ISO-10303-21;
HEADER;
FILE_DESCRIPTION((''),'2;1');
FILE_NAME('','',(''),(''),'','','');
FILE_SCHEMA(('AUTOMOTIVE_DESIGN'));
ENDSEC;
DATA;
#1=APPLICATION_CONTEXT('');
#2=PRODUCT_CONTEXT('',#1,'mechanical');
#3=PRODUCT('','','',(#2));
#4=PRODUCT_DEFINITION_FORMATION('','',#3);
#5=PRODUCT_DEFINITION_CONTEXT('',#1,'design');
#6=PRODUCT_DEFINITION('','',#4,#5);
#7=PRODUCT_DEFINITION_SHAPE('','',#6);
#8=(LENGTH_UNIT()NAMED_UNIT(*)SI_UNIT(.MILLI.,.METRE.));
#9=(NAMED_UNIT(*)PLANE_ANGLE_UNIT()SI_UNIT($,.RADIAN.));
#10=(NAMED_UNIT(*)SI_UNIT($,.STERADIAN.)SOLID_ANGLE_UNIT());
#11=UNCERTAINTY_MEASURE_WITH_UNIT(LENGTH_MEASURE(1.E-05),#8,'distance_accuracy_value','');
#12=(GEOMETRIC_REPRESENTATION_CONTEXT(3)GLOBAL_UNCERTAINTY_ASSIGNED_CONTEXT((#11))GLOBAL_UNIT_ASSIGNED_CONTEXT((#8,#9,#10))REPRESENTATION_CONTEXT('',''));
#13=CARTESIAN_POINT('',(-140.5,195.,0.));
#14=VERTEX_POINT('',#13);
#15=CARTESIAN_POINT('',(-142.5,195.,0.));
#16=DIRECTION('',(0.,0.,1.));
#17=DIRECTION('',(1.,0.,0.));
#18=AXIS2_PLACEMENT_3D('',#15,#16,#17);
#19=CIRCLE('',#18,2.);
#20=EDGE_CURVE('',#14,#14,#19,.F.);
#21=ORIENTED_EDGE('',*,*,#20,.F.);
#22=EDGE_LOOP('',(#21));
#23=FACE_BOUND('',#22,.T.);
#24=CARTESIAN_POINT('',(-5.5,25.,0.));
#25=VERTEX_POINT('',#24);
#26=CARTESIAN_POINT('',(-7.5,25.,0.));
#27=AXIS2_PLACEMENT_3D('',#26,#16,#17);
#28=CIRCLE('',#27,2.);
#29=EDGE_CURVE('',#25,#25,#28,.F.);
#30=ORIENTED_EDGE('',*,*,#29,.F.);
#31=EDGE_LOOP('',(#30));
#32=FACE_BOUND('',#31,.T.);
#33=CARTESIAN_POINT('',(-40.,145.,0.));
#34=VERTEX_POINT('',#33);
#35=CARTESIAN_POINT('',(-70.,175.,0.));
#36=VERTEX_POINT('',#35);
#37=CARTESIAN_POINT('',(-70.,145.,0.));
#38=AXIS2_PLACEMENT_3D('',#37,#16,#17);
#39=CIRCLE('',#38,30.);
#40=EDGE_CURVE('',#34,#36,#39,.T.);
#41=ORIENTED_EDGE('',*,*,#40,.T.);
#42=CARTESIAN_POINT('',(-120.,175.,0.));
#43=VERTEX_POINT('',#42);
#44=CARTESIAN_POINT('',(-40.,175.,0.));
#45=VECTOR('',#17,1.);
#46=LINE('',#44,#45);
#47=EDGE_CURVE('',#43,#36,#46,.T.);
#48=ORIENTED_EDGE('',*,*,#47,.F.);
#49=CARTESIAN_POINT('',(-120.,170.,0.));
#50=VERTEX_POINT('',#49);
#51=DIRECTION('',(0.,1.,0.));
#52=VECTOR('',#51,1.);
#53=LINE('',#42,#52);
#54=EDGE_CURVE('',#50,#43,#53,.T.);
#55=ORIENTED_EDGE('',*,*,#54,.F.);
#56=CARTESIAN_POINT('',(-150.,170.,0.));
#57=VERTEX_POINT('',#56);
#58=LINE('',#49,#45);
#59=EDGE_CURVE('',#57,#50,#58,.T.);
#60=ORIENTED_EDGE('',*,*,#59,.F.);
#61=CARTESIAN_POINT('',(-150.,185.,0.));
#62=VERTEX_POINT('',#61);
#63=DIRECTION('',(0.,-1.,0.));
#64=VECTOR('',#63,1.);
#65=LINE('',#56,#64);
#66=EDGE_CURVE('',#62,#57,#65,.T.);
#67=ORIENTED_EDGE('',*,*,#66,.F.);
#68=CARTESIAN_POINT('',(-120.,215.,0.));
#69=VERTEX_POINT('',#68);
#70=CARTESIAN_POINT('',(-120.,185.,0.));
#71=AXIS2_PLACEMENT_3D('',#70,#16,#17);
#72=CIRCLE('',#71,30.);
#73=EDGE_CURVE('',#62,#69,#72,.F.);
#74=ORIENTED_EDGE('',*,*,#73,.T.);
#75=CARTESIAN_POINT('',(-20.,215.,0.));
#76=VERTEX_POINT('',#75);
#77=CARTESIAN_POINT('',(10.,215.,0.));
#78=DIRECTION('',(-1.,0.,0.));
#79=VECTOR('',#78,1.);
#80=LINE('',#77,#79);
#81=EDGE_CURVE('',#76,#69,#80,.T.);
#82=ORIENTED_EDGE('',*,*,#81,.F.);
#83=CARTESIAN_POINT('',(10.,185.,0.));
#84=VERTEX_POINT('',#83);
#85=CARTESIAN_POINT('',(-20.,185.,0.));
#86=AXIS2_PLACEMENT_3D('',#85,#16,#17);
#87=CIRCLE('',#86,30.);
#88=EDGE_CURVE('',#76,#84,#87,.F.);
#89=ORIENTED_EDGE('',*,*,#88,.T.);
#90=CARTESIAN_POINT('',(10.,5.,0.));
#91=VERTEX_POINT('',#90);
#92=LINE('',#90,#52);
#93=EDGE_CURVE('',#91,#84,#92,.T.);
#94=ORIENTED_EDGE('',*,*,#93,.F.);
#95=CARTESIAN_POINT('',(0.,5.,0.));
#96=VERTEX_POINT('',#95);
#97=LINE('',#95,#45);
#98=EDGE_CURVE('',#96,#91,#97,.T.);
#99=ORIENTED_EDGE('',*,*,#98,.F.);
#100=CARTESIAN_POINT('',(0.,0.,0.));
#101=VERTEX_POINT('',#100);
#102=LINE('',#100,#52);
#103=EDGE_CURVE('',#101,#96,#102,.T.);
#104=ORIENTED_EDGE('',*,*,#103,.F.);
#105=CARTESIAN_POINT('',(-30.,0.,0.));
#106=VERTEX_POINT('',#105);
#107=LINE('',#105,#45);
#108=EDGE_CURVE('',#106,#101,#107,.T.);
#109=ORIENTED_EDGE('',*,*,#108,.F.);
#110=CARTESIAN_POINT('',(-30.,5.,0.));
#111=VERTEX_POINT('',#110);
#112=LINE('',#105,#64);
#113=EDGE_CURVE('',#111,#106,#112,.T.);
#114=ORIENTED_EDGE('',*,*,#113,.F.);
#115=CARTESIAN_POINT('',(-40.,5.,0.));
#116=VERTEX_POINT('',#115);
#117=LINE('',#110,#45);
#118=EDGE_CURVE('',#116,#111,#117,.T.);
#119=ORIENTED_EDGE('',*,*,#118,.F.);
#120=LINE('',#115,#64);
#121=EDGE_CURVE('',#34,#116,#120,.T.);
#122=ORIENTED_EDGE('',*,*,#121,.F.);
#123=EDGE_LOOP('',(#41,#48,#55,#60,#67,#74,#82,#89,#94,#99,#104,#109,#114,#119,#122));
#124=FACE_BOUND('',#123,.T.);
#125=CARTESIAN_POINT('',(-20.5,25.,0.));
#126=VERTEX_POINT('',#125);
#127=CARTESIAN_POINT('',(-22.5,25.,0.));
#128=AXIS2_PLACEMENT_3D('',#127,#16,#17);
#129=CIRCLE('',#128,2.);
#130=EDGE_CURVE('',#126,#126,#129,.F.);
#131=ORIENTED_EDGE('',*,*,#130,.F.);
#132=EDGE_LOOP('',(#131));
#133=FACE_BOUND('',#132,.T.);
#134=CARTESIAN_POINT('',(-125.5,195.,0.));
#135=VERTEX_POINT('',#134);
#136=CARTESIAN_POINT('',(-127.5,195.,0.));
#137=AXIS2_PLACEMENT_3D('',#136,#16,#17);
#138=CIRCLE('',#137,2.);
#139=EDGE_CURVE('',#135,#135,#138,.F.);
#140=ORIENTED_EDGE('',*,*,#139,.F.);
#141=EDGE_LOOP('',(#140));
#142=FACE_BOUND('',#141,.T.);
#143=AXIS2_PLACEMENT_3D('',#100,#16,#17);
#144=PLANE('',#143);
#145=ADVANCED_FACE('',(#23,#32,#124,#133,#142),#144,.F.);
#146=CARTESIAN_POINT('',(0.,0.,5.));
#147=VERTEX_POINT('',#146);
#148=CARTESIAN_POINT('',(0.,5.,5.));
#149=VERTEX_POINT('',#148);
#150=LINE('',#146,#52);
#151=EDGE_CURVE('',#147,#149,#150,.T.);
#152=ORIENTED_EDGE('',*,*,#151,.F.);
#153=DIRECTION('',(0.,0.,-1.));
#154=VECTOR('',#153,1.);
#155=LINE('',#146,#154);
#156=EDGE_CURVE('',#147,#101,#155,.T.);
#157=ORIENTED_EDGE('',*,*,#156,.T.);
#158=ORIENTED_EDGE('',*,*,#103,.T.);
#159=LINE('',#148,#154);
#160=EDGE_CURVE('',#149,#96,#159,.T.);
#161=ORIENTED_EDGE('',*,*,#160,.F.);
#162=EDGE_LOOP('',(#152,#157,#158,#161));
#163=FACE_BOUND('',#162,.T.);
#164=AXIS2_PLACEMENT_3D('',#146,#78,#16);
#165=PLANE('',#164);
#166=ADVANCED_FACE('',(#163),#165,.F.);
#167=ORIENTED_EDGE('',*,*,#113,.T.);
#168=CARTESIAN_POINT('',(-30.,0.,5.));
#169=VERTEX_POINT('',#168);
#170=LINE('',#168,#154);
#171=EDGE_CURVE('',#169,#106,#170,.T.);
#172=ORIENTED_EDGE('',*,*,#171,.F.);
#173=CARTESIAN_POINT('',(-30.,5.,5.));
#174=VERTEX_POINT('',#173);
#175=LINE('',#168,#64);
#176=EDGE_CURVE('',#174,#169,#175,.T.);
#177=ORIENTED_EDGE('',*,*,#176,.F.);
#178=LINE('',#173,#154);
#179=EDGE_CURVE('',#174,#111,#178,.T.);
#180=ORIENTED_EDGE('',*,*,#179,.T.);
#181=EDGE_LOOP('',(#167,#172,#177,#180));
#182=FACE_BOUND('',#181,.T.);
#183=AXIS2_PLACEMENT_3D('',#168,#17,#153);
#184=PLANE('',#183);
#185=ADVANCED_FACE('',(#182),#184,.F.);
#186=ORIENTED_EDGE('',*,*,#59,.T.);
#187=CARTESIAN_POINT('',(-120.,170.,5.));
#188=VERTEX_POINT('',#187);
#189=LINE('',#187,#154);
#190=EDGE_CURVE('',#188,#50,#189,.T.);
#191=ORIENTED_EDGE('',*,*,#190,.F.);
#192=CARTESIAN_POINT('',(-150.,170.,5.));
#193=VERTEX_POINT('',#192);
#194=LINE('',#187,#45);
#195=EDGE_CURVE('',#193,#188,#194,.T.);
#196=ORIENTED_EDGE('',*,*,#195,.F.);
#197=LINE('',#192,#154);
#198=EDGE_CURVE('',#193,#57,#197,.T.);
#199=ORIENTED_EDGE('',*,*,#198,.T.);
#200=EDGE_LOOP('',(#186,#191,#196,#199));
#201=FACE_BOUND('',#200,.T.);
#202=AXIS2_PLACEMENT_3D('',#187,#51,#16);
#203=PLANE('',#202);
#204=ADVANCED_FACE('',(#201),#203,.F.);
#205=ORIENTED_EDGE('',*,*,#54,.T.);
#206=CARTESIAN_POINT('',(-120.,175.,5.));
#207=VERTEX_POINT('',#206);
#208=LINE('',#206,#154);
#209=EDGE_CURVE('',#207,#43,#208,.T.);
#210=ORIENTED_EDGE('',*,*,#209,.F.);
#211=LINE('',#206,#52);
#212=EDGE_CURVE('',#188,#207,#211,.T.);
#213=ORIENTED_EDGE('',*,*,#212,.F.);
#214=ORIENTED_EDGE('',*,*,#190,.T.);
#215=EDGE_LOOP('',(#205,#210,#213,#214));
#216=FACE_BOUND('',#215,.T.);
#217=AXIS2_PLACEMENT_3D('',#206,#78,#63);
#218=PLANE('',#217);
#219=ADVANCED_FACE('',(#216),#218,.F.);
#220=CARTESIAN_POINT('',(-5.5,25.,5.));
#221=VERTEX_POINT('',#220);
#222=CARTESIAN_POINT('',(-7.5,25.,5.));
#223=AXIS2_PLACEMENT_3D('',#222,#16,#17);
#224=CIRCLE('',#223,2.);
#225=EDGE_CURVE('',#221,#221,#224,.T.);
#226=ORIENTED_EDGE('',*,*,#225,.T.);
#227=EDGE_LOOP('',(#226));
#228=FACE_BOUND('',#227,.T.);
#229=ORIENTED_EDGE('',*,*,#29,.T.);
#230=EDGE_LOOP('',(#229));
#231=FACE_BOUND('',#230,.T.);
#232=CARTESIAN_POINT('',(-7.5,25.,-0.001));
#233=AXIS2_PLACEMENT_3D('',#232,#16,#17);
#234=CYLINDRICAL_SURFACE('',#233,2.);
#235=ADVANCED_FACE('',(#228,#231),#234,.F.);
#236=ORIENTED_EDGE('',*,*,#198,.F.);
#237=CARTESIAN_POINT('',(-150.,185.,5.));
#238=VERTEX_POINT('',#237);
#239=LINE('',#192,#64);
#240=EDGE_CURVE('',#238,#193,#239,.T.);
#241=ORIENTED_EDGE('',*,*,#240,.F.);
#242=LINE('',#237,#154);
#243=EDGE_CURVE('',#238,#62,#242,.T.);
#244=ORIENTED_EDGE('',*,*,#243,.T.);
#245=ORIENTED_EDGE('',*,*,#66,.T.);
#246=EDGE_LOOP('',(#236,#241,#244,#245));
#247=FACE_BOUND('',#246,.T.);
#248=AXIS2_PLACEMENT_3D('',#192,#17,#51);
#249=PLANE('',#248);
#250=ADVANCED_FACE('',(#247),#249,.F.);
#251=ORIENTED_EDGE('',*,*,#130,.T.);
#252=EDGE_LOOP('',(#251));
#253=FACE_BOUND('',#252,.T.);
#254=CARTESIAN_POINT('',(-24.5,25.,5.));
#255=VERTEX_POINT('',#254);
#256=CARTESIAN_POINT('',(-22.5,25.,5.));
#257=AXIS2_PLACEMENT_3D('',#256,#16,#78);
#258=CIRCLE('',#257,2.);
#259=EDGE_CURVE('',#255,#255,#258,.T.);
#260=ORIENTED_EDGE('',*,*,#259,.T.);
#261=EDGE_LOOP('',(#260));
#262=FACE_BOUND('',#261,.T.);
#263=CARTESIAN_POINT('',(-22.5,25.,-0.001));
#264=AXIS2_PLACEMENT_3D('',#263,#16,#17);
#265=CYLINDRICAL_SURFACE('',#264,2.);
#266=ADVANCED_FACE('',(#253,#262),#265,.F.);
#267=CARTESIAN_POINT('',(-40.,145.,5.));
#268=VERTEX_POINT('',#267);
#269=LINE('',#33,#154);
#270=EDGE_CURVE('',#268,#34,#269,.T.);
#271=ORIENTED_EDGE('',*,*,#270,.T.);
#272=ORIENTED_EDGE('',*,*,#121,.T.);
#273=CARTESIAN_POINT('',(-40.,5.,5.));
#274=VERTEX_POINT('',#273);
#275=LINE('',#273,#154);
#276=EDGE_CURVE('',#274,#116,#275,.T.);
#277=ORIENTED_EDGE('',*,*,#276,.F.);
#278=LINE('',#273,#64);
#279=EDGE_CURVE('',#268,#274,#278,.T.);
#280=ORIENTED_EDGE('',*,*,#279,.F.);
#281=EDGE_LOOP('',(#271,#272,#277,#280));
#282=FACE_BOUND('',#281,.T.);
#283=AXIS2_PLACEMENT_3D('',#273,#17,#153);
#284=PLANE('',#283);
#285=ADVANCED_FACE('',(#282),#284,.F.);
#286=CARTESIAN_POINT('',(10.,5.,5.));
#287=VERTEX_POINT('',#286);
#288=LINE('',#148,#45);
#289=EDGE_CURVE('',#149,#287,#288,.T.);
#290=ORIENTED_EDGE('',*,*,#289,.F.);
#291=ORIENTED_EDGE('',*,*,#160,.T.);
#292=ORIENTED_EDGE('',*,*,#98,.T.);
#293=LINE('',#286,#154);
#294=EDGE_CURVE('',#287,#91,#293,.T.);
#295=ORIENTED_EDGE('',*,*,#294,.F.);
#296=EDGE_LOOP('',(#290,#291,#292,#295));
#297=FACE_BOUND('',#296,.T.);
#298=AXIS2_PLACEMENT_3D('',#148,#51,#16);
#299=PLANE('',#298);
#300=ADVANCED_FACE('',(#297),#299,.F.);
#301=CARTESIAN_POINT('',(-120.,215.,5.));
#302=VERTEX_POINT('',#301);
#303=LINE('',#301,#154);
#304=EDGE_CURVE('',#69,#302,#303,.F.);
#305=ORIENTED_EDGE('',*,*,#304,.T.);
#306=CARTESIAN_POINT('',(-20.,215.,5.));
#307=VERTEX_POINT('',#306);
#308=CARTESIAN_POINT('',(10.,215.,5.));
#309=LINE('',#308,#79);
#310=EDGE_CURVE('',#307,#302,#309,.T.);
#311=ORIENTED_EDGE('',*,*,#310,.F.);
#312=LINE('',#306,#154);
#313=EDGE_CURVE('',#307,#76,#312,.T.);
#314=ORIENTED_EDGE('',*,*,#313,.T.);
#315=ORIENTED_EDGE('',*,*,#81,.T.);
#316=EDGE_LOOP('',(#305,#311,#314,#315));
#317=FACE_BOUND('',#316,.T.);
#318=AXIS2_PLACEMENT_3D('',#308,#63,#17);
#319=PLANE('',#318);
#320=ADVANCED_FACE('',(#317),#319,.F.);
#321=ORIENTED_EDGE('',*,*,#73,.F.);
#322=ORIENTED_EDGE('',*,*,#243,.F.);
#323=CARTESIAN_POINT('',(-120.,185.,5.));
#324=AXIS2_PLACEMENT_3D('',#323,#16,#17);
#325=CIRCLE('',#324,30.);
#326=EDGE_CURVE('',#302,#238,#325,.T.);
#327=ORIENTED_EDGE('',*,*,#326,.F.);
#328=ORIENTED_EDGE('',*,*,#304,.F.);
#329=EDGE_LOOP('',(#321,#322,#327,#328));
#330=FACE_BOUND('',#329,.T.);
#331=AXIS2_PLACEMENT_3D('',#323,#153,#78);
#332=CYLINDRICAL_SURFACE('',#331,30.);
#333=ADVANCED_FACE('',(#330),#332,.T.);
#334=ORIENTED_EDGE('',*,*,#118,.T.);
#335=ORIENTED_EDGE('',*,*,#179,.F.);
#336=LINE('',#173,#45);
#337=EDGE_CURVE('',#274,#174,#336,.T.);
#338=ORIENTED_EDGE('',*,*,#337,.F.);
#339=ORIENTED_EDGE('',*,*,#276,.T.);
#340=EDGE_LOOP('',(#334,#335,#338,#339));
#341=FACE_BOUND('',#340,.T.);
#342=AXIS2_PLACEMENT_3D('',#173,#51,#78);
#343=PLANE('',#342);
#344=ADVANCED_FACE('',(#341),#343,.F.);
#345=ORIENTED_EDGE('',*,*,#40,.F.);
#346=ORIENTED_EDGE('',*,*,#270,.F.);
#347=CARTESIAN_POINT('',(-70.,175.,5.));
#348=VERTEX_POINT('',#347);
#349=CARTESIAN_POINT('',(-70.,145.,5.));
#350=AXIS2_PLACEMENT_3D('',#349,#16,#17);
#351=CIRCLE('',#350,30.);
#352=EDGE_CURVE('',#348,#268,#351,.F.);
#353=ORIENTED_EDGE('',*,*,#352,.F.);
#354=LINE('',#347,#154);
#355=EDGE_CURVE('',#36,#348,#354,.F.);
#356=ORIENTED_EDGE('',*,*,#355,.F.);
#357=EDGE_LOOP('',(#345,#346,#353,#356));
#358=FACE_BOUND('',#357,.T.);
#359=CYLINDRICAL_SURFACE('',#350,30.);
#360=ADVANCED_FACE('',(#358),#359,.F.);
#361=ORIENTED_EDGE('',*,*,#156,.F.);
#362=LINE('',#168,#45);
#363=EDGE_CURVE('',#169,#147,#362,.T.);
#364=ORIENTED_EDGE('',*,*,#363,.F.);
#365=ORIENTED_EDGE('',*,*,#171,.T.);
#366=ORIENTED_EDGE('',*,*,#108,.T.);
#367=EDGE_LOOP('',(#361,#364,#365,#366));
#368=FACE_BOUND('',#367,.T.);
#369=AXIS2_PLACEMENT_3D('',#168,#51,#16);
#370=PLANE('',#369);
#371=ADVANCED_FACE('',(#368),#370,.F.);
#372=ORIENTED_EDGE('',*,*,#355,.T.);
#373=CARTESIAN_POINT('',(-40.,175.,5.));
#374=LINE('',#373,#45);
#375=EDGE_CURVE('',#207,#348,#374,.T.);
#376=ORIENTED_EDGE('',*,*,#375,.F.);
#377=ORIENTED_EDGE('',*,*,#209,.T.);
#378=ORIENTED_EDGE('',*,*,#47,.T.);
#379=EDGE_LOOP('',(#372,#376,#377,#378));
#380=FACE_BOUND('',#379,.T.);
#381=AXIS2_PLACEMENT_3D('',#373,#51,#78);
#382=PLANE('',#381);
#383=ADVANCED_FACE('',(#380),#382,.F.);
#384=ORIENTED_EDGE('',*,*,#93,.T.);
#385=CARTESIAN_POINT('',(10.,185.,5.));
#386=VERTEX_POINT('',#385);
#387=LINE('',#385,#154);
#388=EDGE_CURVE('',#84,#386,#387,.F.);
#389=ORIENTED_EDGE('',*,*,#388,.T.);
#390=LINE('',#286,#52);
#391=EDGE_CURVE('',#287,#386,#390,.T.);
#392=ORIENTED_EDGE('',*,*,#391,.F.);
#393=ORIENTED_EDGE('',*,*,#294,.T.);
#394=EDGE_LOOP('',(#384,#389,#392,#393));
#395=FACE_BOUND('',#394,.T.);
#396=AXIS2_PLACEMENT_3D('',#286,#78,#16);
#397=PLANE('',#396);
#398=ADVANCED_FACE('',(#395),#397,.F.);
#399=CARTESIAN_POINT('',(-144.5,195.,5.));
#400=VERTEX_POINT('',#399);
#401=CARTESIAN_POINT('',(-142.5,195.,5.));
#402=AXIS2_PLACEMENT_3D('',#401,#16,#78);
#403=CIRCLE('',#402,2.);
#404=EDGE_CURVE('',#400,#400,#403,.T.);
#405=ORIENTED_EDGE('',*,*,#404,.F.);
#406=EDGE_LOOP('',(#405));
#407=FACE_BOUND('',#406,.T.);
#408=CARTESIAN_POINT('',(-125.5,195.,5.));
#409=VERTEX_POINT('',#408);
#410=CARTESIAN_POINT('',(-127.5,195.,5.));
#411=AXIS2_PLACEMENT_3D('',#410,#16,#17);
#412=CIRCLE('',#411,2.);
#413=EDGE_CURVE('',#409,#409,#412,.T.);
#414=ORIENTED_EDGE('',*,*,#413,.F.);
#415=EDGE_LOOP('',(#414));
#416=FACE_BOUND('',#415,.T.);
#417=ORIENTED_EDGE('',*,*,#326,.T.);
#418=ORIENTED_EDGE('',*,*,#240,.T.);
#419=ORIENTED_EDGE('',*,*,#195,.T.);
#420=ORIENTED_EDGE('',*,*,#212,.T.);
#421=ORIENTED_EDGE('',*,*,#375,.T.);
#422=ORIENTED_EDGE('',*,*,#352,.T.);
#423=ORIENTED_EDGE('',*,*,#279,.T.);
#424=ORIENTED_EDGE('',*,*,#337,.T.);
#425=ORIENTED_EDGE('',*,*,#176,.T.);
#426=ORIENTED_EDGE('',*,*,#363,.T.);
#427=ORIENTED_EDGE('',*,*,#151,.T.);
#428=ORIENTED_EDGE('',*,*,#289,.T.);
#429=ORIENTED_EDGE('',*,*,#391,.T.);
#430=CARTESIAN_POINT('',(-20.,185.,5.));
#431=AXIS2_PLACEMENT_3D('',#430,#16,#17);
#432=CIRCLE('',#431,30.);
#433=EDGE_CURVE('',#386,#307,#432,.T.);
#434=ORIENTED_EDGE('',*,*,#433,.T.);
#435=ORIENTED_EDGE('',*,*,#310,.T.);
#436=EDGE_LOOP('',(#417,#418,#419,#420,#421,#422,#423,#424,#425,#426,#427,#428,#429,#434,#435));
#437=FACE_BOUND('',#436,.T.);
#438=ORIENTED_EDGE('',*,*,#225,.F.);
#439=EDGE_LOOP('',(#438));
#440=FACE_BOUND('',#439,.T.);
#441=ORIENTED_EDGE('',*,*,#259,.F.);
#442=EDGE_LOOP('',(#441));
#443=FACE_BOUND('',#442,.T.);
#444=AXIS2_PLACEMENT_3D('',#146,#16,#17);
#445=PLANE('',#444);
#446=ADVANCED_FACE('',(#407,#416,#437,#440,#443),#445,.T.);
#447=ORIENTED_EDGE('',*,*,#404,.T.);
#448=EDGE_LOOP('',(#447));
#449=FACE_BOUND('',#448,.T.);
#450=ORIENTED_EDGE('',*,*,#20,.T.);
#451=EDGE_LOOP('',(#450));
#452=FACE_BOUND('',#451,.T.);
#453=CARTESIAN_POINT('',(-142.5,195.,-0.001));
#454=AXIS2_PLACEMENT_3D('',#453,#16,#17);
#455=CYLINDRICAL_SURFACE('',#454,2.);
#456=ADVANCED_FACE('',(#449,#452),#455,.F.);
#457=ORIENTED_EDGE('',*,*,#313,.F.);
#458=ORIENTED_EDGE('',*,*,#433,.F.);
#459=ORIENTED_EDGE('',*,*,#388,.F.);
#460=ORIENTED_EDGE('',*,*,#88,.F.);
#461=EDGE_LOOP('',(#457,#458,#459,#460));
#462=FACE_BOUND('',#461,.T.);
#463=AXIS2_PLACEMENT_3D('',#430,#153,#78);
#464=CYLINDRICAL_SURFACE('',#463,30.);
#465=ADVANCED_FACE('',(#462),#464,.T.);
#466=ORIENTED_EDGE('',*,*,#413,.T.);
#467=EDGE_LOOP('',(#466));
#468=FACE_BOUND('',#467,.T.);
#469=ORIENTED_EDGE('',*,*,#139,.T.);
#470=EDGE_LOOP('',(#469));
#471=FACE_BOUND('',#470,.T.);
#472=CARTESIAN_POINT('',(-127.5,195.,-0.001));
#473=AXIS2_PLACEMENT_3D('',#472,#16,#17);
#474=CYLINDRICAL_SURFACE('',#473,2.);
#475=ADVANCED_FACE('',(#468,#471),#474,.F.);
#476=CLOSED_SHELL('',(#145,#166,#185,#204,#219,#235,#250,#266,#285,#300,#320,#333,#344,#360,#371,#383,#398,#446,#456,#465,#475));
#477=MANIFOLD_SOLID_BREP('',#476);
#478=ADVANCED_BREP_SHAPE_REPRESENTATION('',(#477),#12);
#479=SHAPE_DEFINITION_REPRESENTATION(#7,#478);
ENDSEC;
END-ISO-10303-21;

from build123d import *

# Parameters (mm, degrees)
SALIENTE_EXTRUIR1_DEPTH = 5
REDONDEO1_R             = 30
CORTAR_EXTRUIR1_REACH   = 264.202
CROQUIS2_R              = 2


with BuildPart() as part:
    # Croquis1 → Saliente-Extruir1 (new body)
    with BuildSketch(Plane.XY):
        Polygon((-30, 0), (0, 0), (0, 5), (10, 5), (10, 215), (-150, 215), (-150, 170), (-120, 170), (-120, 175), (-40, 175), (-40, 5), (-30, 5), align=None)
    extrude(amount=SALIENTE_EXTRUIR1_DEPTH)

    # Redondeo1
    redondeo1_edges = [part.edges().sort_by_distance(p)[0] for p in [
        (-40, 175, 2.5),
        (-150, 215, 2.5),
        (10, 215, 2.5),
    ]]
    fillet(redondeo1_edges, radius=REDONDEO1_R)

    # Croquis2 → Cortar-Extruir1 (cut, up to next)
    with BuildSketch(Plane.XY.offset(5), mode=Mode.PRIVATE) as cortar_extruir1_sk1:
        with Locations((-7.5, 25)):
            Circle(CROQUIS2_R)
    cortar_extruir1_tool1 = extrude(cortar_extruir1_sk1.sketch, amount=-CORTAR_EXTRUIR1_REACH, mode=Mode.PRIVATE) & part.part
    # Croquis2 → Cortar-Extruir1 (cut, up to next)
    with BuildSketch(Plane.XY.offset(5), mode=Mode.PRIVATE) as cortar_extruir1_sk2:
        with Locations((-22.5, 25)):
            Circle(CROQUIS2_R)
    cortar_extruir1_tool2 = extrude(cortar_extruir1_sk2.sketch, amount=-CORTAR_EXTRUIR1_REACH, mode=Mode.PRIVATE) & part.part
    # Croquis2 → Cortar-Extruir1 (cut, up to next)
    with BuildSketch(Plane.XY.offset(5), mode=Mode.PRIVATE) as cortar_extruir1_sk3:
        with Locations((-127.5, 195)):
            Circle(CROQUIS2_R)
    cortar_extruir1_tool3 = extrude(cortar_extruir1_sk3.sketch, amount=-CORTAR_EXTRUIR1_REACH, mode=Mode.PRIVATE) & part.part
    # Croquis2 → Cortar-Extruir1 (cut, up to next)
    with BuildSketch(Plane.XY.offset(5), mode=Mode.PRIVATE) as cortar_extruir1_sk4:
        with Locations((-142.5, 195)):
            Circle(CROQUIS2_R)
    cortar_extruir1_tool4 = extrude(cortar_extruir1_sk4.sketch, amount=-CORTAR_EXTRUIR1_REACH, mode=Mode.PRIVATE) & part.part
    add(cortar_extruir1_tool1.solids().sort_by_distance((-7.5, 25, 5))[0], mode=Mode.SUBTRACT)
    add(cortar_extruir1_tool2.solids().sort_by_distance((-22.5, 25, 5))[0], mode=Mode.SUBTRACT)
    add(cortar_extruir1_tool3.solids().sort_by_distance((-127.5, 195, 5))[0], mode=Mode.SUBTRACT)
    add(cortar_extruir1_tool4.solids().sort_by_distance((-142.5, 195, 5))[0], mode=Mode.SUBTRACT)


solid = part.part
